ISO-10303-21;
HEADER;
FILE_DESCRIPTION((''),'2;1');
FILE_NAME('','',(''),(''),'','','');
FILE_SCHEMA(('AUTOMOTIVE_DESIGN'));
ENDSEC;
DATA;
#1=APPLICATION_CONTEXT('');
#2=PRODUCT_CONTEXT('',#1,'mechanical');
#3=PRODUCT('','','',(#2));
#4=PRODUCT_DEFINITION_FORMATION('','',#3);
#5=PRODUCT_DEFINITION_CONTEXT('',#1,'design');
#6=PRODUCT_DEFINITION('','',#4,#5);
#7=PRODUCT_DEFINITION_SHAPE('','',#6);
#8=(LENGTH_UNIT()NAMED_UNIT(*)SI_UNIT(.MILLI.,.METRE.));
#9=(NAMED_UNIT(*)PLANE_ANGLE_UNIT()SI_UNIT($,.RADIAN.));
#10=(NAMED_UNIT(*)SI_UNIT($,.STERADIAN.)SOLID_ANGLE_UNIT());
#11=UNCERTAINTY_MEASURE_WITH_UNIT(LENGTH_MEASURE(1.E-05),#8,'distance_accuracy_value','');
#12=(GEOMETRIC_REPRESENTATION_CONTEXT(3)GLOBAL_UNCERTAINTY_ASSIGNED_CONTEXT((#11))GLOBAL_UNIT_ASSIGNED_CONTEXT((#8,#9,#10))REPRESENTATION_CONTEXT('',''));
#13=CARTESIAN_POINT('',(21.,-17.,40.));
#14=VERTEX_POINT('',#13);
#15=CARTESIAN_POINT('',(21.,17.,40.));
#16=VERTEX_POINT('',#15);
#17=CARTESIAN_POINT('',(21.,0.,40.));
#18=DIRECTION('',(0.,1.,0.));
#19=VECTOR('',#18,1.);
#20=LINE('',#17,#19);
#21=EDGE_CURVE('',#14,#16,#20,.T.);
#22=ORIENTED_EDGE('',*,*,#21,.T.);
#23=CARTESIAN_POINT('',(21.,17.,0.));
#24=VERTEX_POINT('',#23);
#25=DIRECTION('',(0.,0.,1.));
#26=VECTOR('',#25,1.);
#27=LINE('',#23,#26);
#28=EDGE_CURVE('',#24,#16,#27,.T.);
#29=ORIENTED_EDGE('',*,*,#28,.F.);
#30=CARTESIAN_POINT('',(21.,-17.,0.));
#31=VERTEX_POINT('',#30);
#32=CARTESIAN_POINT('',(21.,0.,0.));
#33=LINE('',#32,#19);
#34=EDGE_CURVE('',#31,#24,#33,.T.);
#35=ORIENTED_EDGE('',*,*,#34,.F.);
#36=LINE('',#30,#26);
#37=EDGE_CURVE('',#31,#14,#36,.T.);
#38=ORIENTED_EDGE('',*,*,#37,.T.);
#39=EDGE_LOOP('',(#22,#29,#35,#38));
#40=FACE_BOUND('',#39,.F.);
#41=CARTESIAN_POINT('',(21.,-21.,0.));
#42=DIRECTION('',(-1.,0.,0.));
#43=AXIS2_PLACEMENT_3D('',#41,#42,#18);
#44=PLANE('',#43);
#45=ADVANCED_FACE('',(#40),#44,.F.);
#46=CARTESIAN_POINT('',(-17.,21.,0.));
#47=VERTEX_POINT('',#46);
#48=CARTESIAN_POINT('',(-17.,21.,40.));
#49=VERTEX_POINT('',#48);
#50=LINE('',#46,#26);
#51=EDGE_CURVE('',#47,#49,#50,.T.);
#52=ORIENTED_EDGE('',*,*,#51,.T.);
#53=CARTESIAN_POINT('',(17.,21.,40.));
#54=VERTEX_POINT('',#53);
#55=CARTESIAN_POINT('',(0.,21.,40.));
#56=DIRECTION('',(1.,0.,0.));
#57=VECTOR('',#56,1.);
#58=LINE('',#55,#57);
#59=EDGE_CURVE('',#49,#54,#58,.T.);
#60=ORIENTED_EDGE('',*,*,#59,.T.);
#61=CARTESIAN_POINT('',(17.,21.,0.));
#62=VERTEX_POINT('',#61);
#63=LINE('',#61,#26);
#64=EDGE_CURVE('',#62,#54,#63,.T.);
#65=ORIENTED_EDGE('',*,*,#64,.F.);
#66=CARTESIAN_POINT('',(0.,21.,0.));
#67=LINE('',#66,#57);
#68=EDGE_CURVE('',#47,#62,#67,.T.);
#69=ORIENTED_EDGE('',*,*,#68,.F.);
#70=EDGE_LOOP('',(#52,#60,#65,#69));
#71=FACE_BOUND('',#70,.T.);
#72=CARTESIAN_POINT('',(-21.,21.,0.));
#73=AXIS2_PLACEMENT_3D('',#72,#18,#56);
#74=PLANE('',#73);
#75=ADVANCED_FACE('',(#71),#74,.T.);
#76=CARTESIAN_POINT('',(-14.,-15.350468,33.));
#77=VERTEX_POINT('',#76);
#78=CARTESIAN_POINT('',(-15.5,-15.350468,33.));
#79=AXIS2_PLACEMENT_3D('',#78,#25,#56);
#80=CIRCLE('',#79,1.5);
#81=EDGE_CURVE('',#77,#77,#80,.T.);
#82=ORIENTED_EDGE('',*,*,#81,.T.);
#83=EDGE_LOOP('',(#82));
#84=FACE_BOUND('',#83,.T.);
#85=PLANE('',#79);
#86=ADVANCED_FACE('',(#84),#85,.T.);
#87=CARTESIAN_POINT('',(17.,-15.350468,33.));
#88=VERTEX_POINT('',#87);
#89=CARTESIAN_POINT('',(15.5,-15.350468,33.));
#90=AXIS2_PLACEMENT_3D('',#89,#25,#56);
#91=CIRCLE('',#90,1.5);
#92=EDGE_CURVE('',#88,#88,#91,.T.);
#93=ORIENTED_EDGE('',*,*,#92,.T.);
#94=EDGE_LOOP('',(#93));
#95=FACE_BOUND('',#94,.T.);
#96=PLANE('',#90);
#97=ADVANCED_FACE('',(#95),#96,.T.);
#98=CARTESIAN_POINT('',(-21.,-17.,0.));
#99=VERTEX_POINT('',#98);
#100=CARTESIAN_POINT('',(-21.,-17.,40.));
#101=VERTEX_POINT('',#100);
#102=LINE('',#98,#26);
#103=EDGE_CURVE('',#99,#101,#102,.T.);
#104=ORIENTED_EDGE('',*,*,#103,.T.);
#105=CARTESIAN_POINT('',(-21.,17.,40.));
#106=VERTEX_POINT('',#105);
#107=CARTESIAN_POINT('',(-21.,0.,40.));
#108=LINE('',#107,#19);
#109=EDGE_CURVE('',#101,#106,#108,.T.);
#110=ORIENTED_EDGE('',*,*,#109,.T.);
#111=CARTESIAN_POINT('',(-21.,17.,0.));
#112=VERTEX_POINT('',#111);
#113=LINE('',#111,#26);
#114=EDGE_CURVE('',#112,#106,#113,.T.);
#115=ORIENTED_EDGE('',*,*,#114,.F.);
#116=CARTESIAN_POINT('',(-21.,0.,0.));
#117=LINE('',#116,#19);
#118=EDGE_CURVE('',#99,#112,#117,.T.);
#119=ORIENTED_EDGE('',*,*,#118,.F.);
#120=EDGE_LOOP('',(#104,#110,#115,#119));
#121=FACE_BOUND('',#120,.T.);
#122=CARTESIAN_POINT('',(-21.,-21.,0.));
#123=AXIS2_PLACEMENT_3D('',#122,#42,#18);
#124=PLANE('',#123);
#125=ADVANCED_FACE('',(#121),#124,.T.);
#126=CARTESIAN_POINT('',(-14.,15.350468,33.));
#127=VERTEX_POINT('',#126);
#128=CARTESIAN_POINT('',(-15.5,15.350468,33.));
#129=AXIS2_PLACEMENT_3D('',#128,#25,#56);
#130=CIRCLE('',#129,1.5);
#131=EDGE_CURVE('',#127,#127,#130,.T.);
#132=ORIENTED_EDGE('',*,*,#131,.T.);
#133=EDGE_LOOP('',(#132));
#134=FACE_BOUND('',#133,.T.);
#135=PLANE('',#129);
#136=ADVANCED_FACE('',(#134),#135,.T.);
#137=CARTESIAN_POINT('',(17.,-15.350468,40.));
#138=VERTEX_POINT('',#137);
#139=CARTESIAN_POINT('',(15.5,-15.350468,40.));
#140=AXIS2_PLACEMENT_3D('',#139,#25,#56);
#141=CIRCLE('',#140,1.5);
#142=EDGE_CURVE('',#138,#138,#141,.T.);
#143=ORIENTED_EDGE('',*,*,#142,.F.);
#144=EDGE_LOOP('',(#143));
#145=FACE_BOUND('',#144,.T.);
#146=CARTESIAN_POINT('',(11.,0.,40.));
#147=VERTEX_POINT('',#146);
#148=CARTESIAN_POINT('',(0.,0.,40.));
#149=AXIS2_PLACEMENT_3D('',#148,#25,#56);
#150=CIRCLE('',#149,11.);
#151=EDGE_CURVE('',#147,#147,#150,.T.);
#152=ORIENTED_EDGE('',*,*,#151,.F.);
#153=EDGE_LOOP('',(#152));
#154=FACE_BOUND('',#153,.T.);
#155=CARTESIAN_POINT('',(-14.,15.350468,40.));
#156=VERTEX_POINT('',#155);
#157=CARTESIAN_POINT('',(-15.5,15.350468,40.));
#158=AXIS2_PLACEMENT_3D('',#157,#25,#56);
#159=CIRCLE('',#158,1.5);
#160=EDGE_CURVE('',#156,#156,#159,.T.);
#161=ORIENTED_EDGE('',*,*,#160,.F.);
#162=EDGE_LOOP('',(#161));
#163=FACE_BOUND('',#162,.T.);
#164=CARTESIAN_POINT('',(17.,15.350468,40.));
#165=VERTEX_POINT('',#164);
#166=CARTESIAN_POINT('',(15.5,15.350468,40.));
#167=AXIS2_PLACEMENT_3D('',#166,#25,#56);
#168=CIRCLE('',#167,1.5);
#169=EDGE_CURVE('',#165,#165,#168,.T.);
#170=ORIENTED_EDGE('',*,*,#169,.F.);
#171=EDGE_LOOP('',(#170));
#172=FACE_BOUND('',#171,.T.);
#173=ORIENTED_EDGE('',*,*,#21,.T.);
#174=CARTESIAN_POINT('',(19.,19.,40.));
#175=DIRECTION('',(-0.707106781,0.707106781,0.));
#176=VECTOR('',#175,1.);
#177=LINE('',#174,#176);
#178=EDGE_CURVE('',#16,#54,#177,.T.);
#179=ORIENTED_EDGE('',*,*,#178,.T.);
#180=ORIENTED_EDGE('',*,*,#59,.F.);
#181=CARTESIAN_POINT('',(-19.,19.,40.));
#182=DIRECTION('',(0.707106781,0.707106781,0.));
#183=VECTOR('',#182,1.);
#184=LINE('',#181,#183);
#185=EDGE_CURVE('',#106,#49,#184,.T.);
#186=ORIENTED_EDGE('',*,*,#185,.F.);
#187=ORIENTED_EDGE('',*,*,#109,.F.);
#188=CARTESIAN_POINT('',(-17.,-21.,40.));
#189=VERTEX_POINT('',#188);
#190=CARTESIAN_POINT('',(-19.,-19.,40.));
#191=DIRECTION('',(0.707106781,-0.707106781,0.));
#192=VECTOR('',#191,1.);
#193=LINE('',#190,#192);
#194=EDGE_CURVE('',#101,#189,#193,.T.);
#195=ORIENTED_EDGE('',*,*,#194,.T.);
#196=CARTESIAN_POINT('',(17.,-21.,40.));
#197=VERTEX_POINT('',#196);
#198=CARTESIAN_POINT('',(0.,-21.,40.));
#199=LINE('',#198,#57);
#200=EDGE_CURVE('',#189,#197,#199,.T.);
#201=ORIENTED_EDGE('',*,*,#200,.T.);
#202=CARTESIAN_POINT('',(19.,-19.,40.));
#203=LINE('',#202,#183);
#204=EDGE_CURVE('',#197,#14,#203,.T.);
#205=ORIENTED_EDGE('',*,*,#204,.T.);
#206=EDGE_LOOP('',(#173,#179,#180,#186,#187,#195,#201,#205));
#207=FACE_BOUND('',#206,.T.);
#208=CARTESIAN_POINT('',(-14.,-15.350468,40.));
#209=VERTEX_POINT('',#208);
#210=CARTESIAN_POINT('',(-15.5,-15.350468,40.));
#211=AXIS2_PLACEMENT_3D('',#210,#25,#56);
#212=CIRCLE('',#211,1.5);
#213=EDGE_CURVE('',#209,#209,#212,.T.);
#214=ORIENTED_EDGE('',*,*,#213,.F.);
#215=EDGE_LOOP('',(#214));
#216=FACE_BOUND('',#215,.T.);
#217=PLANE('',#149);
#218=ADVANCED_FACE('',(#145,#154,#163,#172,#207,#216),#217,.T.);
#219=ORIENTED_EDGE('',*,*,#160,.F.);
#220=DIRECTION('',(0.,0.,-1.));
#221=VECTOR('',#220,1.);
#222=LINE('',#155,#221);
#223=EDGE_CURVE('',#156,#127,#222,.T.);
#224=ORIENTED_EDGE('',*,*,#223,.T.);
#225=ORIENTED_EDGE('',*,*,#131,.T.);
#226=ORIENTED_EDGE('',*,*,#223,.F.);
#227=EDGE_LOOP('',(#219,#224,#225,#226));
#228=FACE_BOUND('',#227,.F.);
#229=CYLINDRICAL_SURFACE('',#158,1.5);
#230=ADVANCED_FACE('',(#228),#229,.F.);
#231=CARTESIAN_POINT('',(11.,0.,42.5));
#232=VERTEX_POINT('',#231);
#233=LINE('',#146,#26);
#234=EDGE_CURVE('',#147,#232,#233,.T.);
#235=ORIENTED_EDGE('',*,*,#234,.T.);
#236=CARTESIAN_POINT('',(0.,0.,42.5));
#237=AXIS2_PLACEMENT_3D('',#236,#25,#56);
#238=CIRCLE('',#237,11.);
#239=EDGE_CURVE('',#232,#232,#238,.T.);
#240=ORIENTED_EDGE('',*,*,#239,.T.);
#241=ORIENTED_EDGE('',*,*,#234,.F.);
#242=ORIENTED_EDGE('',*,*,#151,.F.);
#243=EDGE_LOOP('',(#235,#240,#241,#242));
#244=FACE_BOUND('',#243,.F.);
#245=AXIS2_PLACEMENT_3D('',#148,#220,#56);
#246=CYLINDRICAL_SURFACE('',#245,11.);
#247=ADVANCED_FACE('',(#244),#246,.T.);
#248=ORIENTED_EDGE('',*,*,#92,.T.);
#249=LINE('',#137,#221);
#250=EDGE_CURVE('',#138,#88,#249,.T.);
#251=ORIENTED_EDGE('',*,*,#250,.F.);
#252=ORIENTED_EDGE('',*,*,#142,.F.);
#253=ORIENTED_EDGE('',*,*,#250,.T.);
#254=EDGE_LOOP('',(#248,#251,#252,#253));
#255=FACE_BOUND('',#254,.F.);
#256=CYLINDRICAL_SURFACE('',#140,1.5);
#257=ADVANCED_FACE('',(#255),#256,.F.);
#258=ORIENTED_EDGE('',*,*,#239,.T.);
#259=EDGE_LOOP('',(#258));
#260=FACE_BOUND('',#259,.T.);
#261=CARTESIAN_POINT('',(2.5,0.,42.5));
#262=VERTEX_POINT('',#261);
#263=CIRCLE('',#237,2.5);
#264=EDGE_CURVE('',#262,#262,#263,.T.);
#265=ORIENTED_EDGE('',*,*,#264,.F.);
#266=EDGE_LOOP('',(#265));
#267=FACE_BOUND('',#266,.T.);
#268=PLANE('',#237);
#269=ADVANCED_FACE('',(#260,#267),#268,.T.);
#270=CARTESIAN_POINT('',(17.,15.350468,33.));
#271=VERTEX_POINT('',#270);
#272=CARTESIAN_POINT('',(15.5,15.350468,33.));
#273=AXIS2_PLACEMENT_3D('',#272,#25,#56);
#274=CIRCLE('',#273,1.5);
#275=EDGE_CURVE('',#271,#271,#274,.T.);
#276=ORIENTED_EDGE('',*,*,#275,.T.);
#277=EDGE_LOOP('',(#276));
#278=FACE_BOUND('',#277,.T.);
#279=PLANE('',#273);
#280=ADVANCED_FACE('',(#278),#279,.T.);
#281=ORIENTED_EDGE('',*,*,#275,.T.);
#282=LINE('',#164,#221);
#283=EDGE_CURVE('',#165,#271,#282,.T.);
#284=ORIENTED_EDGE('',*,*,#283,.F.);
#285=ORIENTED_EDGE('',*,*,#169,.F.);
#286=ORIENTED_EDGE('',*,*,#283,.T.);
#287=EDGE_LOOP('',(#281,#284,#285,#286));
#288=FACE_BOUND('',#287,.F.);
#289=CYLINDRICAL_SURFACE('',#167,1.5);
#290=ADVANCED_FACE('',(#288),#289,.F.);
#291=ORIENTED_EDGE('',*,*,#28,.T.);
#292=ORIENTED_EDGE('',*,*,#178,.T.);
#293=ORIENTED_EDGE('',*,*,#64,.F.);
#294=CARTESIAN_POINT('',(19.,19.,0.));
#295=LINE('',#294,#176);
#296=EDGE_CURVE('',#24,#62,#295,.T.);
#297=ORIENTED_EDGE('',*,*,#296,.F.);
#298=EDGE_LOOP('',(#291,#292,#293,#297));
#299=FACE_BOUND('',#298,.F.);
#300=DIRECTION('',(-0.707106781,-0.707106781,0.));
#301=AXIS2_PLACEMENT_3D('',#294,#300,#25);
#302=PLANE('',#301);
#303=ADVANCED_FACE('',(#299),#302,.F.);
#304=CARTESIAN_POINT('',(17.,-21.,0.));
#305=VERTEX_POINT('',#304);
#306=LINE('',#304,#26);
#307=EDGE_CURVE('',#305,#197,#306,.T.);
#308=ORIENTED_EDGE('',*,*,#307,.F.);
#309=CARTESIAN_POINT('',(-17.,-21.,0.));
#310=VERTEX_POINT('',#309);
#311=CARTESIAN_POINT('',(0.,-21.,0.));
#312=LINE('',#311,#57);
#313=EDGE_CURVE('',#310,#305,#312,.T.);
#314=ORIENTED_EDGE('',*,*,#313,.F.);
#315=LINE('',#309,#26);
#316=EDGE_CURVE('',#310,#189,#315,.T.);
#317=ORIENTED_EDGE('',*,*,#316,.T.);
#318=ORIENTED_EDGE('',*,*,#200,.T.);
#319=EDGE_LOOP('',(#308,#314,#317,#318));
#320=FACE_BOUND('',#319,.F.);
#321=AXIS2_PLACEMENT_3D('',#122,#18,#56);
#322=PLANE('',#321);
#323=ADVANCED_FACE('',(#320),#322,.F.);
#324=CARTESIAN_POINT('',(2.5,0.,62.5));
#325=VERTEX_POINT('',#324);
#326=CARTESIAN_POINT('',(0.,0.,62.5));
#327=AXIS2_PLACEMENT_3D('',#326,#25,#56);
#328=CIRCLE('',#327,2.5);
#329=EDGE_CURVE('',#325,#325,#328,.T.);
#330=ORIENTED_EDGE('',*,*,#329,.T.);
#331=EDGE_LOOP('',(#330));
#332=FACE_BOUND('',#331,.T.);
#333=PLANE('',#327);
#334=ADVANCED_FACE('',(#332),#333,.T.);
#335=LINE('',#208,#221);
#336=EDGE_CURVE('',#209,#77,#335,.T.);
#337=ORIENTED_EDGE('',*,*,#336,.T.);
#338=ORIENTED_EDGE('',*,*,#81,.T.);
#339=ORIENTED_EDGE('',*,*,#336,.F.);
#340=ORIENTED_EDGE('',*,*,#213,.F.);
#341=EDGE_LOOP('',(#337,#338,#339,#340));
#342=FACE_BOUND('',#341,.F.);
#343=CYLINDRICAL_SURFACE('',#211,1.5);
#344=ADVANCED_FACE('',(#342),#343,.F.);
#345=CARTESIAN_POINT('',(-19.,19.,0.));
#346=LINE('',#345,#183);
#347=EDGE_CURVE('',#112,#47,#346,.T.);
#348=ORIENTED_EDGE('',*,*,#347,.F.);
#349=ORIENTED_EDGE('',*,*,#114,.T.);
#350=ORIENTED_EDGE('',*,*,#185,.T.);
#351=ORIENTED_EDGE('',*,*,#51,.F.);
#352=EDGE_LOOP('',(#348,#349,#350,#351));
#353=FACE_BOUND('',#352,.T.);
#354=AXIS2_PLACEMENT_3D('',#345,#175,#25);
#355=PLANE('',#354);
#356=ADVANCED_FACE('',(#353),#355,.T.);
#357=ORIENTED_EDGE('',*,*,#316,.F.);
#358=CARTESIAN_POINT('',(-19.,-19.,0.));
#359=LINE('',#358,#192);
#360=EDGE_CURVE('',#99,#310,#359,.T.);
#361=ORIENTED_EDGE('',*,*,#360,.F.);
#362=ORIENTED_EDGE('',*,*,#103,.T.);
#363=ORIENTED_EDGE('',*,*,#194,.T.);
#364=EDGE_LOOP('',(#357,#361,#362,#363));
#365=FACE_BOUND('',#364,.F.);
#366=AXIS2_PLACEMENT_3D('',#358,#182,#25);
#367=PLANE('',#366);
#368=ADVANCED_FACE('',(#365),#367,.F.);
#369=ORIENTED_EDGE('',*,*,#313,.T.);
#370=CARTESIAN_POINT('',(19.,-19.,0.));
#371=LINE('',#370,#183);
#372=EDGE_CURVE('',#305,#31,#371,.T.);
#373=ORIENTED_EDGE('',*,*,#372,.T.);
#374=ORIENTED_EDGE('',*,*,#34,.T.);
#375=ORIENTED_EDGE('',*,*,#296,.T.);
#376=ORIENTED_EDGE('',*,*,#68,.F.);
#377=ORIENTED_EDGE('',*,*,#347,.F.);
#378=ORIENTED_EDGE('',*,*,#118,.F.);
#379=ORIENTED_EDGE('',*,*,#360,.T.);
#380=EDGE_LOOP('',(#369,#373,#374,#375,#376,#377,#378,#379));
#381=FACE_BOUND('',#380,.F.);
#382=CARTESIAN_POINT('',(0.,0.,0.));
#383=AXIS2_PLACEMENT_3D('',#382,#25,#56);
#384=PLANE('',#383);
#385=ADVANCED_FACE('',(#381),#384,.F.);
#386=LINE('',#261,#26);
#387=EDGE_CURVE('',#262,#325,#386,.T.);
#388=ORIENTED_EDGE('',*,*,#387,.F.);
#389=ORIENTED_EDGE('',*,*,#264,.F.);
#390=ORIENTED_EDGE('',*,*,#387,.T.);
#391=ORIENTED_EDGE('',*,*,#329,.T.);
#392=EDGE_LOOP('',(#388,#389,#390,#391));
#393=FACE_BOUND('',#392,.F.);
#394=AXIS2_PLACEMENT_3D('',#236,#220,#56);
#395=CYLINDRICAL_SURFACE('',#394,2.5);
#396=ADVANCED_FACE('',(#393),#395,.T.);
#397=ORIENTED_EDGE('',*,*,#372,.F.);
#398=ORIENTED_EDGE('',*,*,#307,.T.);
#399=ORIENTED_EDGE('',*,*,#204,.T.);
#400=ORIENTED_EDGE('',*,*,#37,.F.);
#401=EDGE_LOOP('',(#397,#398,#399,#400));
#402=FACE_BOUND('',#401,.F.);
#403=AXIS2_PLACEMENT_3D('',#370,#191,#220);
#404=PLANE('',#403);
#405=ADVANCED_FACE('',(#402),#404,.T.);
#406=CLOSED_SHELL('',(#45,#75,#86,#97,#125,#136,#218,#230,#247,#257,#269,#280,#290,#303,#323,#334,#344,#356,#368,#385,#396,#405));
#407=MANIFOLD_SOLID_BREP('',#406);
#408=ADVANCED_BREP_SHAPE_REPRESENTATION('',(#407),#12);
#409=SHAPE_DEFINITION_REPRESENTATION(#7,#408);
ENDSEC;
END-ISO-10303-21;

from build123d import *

# Parameters (mm, degrees)
SKETCH_W     = 42
SKETCH_H     = 42
PAD_DEPTH    = 40
CHAMFER_SIZE = 4
SKETCH001_R  = 11
PAD001_DEPTH = 2.5
SKETCH002_R  = 2.5
PAD002_DEPTH = 20
SKETCH003_R  = 1.5
POCKET_DEPTH = 7


with BuildPart() as part:
    # Sketch → Pad (new body)
    with BuildSketch(Plane.XY):
        Rectangle(SKETCH_W, SKETCH_H)
    extrude(amount=PAD_DEPTH)

    # Chamfer
    chamfer_edges = [part.edges().sort_by_distance(p)[0] for p in [
        (21, -21, 20),
        (-21, -21, 20),
        (-21, 21, 20),
        (21, 21, 20),
    ]]
    chamfer(chamfer_edges, length=CHAMFER_SIZE)

    # Sketch001 (on Face5 of Chamfer) → Pad001 (join)
    with BuildSketch(Plane.XY.offset(40)):
        Circle(SKETCH001_R)
    extrude(amount=PAD001_DEPTH)

    # Sketch002 (on Face12 of Pad001) → Pad002 (join)
    with BuildSketch(Plane.XY.offset(42.5)):
        Circle(SKETCH002_R)
    extrude(amount=PAD002_DEPTH)

    # Sketch003 (on Face5 of Pad002) → Pocket (cut)
    with BuildSketch(Plane.XY.offset(40)):
        with Locations((-15.5, 15.350468)):
            Circle(SKETCH003_R)
        with Locations((15.5, 15.350468)):
            Circle(SKETCH003_R)
        with Locations((15.5, -15.350468)):
            Circle(SKETCH003_R)
        with Locations((-15.5, -15.350468)):
            Circle(SKETCH003_R)
    extrude(amount=-POCKET_DEPTH, mode=Mode.SUBTRACT)


solid = part.part
